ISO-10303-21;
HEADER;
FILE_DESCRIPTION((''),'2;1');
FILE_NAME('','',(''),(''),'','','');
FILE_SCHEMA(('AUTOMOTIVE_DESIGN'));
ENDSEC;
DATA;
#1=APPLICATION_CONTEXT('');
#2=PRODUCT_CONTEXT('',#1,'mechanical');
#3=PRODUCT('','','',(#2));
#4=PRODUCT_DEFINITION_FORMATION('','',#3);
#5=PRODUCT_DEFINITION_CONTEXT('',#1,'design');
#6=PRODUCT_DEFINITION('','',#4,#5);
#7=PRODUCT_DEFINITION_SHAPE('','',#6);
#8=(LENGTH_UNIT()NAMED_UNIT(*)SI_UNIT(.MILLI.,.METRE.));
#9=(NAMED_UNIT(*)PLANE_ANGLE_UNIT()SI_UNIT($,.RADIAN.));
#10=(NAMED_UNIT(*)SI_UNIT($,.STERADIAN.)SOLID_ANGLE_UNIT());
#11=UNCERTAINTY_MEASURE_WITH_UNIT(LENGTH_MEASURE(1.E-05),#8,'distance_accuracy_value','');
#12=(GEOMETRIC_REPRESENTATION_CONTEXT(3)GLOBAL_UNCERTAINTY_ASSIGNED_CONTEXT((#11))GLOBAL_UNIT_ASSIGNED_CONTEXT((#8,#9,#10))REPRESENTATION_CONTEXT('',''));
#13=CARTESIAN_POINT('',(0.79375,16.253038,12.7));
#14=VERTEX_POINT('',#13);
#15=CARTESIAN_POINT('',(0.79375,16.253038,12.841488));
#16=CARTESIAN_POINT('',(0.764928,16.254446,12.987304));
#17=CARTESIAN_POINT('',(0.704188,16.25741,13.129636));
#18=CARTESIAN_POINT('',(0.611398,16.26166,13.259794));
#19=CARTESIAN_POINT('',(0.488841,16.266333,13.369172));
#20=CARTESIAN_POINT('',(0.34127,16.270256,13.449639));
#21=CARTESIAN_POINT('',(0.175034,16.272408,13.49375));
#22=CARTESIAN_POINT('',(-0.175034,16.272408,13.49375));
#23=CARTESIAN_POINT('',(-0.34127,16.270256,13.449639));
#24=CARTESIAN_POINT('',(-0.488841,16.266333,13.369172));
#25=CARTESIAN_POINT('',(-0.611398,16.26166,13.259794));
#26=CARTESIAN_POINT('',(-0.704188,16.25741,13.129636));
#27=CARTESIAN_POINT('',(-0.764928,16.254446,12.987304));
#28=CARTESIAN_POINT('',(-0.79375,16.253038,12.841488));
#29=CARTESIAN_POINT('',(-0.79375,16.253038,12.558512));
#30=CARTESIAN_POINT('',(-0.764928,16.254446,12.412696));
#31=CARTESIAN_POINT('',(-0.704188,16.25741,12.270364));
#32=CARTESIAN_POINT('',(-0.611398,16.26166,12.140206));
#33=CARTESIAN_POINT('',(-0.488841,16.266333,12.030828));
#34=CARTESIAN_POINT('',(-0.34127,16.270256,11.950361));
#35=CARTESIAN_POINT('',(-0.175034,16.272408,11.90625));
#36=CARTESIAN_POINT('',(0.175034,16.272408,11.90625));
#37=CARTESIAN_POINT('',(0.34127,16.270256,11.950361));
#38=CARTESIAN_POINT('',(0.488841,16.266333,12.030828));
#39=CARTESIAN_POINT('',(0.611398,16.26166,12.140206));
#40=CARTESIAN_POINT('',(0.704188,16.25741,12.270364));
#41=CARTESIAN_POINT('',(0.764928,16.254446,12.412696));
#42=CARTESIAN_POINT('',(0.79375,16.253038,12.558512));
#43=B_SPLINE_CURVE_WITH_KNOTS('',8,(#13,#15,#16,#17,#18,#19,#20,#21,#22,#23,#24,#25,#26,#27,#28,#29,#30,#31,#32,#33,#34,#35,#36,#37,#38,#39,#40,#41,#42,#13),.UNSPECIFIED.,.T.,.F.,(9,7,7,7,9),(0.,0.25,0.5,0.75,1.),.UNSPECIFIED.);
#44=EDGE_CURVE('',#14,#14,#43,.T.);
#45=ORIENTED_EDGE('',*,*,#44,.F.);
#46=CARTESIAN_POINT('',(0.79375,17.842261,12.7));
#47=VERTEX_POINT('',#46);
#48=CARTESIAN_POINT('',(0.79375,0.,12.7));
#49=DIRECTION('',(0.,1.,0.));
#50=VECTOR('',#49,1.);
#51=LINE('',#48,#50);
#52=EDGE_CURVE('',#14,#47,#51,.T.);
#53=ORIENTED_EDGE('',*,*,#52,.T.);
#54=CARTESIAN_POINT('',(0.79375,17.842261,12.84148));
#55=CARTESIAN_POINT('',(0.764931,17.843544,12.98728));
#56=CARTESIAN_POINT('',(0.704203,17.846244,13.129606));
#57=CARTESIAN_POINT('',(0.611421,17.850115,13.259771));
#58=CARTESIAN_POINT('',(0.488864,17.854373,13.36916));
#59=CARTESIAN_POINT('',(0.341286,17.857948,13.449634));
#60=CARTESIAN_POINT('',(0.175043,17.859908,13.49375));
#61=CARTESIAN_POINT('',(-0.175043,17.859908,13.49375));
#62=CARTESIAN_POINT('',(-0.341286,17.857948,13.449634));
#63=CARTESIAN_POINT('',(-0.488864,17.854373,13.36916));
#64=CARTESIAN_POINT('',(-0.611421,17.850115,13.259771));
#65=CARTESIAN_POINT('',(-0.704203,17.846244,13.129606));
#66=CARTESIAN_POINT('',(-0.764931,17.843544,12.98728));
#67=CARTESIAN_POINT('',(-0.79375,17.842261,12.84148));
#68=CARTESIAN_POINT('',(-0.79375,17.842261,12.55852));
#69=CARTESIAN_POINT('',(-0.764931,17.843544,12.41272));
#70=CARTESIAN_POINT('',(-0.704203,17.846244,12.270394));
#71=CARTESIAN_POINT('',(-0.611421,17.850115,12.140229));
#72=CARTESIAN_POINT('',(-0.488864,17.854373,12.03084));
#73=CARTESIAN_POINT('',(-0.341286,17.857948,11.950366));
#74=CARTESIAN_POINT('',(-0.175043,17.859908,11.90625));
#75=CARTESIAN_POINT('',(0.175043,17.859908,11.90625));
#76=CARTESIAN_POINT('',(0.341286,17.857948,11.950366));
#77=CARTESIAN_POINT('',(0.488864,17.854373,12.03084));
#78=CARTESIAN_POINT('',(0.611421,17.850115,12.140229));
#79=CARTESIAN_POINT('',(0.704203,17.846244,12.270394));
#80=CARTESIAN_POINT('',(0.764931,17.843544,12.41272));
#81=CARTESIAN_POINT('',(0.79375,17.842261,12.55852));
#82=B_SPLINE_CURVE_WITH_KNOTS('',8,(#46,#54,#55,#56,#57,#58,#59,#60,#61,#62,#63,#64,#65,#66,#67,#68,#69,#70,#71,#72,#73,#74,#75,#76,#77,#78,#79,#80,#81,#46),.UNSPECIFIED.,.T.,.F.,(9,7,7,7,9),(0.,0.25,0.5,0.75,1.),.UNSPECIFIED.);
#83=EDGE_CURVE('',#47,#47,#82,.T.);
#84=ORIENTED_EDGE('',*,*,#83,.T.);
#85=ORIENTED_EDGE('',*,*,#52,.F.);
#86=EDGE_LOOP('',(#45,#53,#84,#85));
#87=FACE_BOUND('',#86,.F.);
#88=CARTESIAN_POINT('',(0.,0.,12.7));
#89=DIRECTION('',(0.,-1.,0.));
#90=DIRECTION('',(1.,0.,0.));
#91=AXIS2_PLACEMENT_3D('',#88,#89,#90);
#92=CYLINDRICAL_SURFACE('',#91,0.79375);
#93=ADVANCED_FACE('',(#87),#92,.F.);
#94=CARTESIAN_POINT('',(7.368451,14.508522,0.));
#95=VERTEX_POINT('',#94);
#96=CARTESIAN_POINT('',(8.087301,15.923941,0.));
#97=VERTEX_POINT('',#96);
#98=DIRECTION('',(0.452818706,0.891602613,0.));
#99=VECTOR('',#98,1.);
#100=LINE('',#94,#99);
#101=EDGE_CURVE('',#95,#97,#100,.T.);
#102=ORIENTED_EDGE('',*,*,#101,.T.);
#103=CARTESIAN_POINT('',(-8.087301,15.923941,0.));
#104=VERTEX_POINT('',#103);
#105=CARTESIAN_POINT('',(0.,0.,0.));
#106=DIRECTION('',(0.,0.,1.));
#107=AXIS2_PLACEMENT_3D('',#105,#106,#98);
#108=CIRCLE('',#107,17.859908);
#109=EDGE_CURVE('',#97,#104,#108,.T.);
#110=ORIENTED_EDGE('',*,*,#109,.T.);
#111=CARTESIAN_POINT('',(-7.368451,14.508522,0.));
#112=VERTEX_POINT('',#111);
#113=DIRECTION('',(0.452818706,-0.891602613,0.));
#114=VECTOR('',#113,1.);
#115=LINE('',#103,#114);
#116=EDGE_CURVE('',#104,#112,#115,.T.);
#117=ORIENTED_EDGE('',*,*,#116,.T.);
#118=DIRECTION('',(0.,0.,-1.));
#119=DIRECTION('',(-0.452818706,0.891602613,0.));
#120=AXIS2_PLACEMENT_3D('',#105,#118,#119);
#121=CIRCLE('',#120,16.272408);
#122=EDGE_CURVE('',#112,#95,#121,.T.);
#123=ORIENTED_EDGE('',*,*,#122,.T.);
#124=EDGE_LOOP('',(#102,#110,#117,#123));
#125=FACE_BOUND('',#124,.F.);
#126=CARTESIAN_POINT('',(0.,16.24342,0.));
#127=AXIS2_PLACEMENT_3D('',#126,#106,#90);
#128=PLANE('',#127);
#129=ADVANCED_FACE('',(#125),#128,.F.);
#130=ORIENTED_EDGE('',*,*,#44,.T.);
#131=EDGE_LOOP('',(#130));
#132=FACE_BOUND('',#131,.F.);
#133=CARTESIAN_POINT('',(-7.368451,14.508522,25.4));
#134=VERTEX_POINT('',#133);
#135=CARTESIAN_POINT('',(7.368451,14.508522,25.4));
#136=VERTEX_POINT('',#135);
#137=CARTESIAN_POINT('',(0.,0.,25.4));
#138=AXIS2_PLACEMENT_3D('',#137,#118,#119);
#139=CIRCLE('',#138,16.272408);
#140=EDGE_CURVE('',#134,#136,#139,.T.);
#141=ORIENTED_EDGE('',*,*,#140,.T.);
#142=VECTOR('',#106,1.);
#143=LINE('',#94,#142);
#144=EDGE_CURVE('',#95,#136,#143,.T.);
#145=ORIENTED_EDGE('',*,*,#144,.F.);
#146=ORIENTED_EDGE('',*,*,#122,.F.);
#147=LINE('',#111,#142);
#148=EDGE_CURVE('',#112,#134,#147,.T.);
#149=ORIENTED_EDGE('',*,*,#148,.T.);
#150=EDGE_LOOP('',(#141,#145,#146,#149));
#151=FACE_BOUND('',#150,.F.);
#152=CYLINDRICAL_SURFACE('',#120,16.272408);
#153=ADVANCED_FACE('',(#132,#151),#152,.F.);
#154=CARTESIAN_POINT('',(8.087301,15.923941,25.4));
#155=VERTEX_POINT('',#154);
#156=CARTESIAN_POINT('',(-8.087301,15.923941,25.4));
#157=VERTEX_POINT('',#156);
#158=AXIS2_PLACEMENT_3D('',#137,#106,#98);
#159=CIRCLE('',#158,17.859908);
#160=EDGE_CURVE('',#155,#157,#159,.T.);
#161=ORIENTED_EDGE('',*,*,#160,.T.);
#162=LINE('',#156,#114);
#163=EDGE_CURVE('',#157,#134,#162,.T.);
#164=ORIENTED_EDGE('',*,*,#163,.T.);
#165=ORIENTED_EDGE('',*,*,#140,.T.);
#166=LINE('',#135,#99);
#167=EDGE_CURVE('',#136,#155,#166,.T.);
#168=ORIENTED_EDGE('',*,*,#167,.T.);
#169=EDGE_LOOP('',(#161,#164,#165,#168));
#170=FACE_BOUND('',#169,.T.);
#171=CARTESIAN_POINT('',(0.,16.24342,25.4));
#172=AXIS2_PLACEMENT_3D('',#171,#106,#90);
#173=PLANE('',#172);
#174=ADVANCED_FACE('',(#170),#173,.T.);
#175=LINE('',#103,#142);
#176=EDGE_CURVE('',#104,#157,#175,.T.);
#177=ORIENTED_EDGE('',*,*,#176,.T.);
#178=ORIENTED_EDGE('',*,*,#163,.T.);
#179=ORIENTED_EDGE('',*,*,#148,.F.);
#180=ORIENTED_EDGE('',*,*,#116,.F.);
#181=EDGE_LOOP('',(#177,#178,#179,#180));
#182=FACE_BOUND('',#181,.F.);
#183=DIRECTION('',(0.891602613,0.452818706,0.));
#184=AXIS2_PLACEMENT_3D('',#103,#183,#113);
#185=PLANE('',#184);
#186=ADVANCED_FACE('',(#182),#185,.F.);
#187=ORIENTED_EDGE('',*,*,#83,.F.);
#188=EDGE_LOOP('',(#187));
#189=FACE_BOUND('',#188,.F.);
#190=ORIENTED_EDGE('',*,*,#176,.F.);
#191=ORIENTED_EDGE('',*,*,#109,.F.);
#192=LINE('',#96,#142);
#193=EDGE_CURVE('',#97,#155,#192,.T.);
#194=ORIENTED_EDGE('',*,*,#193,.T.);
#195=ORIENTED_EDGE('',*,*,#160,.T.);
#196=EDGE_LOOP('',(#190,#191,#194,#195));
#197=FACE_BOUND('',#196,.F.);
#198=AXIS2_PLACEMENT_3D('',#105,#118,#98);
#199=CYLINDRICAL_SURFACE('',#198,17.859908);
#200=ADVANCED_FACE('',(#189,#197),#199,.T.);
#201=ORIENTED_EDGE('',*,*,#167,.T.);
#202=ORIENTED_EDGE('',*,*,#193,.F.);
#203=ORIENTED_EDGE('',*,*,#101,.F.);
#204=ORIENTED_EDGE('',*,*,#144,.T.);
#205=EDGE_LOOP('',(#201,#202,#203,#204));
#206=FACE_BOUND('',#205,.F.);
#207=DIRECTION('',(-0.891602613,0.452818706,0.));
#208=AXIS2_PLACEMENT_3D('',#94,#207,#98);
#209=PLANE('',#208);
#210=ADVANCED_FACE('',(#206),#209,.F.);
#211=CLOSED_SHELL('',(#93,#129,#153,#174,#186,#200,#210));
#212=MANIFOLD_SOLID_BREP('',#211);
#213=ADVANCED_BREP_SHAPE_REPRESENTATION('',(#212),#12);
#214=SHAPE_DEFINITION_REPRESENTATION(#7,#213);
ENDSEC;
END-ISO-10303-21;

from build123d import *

# Parameters (mm, degrees)
F1_DEPTH = 25.4
F2_R     = 0.79375
F3_DEPTH = 18.8599085


with BuildPart() as f1:
    # F0 (on Top) → F1 (new body)
    with BuildSketch(Plane.XY):
        with BuildLine():
            ThreePointArc((-7.3684509074, 14.5085218531), (0, 16.2724084), (7.3684509074, 14.5085218531))
            Line((7.3684509074, 14.5085218531), (8.0873006024, 15.9239410016))
            ThreePointArc((8.0873006024, 15.9239410016), (0, 17.8599084), (-8.0873006024, 15.9239410016))
            Line((-8.0873006024, 15.9239410016), (-7.3684509074, 14.5085218531))
        make_face()
    extrude(amount=F1_DEPTH)

    # F2 (on Front) → F3 (cut, up to face)
    with BuildSketch(Plane.XZ):
        with Locations((0, 12.7)):
            Circle(F2_R)
    extrude(amount=-F3_DEPTH, mode=Mode.SUBTRACT)


solid = f1.part
